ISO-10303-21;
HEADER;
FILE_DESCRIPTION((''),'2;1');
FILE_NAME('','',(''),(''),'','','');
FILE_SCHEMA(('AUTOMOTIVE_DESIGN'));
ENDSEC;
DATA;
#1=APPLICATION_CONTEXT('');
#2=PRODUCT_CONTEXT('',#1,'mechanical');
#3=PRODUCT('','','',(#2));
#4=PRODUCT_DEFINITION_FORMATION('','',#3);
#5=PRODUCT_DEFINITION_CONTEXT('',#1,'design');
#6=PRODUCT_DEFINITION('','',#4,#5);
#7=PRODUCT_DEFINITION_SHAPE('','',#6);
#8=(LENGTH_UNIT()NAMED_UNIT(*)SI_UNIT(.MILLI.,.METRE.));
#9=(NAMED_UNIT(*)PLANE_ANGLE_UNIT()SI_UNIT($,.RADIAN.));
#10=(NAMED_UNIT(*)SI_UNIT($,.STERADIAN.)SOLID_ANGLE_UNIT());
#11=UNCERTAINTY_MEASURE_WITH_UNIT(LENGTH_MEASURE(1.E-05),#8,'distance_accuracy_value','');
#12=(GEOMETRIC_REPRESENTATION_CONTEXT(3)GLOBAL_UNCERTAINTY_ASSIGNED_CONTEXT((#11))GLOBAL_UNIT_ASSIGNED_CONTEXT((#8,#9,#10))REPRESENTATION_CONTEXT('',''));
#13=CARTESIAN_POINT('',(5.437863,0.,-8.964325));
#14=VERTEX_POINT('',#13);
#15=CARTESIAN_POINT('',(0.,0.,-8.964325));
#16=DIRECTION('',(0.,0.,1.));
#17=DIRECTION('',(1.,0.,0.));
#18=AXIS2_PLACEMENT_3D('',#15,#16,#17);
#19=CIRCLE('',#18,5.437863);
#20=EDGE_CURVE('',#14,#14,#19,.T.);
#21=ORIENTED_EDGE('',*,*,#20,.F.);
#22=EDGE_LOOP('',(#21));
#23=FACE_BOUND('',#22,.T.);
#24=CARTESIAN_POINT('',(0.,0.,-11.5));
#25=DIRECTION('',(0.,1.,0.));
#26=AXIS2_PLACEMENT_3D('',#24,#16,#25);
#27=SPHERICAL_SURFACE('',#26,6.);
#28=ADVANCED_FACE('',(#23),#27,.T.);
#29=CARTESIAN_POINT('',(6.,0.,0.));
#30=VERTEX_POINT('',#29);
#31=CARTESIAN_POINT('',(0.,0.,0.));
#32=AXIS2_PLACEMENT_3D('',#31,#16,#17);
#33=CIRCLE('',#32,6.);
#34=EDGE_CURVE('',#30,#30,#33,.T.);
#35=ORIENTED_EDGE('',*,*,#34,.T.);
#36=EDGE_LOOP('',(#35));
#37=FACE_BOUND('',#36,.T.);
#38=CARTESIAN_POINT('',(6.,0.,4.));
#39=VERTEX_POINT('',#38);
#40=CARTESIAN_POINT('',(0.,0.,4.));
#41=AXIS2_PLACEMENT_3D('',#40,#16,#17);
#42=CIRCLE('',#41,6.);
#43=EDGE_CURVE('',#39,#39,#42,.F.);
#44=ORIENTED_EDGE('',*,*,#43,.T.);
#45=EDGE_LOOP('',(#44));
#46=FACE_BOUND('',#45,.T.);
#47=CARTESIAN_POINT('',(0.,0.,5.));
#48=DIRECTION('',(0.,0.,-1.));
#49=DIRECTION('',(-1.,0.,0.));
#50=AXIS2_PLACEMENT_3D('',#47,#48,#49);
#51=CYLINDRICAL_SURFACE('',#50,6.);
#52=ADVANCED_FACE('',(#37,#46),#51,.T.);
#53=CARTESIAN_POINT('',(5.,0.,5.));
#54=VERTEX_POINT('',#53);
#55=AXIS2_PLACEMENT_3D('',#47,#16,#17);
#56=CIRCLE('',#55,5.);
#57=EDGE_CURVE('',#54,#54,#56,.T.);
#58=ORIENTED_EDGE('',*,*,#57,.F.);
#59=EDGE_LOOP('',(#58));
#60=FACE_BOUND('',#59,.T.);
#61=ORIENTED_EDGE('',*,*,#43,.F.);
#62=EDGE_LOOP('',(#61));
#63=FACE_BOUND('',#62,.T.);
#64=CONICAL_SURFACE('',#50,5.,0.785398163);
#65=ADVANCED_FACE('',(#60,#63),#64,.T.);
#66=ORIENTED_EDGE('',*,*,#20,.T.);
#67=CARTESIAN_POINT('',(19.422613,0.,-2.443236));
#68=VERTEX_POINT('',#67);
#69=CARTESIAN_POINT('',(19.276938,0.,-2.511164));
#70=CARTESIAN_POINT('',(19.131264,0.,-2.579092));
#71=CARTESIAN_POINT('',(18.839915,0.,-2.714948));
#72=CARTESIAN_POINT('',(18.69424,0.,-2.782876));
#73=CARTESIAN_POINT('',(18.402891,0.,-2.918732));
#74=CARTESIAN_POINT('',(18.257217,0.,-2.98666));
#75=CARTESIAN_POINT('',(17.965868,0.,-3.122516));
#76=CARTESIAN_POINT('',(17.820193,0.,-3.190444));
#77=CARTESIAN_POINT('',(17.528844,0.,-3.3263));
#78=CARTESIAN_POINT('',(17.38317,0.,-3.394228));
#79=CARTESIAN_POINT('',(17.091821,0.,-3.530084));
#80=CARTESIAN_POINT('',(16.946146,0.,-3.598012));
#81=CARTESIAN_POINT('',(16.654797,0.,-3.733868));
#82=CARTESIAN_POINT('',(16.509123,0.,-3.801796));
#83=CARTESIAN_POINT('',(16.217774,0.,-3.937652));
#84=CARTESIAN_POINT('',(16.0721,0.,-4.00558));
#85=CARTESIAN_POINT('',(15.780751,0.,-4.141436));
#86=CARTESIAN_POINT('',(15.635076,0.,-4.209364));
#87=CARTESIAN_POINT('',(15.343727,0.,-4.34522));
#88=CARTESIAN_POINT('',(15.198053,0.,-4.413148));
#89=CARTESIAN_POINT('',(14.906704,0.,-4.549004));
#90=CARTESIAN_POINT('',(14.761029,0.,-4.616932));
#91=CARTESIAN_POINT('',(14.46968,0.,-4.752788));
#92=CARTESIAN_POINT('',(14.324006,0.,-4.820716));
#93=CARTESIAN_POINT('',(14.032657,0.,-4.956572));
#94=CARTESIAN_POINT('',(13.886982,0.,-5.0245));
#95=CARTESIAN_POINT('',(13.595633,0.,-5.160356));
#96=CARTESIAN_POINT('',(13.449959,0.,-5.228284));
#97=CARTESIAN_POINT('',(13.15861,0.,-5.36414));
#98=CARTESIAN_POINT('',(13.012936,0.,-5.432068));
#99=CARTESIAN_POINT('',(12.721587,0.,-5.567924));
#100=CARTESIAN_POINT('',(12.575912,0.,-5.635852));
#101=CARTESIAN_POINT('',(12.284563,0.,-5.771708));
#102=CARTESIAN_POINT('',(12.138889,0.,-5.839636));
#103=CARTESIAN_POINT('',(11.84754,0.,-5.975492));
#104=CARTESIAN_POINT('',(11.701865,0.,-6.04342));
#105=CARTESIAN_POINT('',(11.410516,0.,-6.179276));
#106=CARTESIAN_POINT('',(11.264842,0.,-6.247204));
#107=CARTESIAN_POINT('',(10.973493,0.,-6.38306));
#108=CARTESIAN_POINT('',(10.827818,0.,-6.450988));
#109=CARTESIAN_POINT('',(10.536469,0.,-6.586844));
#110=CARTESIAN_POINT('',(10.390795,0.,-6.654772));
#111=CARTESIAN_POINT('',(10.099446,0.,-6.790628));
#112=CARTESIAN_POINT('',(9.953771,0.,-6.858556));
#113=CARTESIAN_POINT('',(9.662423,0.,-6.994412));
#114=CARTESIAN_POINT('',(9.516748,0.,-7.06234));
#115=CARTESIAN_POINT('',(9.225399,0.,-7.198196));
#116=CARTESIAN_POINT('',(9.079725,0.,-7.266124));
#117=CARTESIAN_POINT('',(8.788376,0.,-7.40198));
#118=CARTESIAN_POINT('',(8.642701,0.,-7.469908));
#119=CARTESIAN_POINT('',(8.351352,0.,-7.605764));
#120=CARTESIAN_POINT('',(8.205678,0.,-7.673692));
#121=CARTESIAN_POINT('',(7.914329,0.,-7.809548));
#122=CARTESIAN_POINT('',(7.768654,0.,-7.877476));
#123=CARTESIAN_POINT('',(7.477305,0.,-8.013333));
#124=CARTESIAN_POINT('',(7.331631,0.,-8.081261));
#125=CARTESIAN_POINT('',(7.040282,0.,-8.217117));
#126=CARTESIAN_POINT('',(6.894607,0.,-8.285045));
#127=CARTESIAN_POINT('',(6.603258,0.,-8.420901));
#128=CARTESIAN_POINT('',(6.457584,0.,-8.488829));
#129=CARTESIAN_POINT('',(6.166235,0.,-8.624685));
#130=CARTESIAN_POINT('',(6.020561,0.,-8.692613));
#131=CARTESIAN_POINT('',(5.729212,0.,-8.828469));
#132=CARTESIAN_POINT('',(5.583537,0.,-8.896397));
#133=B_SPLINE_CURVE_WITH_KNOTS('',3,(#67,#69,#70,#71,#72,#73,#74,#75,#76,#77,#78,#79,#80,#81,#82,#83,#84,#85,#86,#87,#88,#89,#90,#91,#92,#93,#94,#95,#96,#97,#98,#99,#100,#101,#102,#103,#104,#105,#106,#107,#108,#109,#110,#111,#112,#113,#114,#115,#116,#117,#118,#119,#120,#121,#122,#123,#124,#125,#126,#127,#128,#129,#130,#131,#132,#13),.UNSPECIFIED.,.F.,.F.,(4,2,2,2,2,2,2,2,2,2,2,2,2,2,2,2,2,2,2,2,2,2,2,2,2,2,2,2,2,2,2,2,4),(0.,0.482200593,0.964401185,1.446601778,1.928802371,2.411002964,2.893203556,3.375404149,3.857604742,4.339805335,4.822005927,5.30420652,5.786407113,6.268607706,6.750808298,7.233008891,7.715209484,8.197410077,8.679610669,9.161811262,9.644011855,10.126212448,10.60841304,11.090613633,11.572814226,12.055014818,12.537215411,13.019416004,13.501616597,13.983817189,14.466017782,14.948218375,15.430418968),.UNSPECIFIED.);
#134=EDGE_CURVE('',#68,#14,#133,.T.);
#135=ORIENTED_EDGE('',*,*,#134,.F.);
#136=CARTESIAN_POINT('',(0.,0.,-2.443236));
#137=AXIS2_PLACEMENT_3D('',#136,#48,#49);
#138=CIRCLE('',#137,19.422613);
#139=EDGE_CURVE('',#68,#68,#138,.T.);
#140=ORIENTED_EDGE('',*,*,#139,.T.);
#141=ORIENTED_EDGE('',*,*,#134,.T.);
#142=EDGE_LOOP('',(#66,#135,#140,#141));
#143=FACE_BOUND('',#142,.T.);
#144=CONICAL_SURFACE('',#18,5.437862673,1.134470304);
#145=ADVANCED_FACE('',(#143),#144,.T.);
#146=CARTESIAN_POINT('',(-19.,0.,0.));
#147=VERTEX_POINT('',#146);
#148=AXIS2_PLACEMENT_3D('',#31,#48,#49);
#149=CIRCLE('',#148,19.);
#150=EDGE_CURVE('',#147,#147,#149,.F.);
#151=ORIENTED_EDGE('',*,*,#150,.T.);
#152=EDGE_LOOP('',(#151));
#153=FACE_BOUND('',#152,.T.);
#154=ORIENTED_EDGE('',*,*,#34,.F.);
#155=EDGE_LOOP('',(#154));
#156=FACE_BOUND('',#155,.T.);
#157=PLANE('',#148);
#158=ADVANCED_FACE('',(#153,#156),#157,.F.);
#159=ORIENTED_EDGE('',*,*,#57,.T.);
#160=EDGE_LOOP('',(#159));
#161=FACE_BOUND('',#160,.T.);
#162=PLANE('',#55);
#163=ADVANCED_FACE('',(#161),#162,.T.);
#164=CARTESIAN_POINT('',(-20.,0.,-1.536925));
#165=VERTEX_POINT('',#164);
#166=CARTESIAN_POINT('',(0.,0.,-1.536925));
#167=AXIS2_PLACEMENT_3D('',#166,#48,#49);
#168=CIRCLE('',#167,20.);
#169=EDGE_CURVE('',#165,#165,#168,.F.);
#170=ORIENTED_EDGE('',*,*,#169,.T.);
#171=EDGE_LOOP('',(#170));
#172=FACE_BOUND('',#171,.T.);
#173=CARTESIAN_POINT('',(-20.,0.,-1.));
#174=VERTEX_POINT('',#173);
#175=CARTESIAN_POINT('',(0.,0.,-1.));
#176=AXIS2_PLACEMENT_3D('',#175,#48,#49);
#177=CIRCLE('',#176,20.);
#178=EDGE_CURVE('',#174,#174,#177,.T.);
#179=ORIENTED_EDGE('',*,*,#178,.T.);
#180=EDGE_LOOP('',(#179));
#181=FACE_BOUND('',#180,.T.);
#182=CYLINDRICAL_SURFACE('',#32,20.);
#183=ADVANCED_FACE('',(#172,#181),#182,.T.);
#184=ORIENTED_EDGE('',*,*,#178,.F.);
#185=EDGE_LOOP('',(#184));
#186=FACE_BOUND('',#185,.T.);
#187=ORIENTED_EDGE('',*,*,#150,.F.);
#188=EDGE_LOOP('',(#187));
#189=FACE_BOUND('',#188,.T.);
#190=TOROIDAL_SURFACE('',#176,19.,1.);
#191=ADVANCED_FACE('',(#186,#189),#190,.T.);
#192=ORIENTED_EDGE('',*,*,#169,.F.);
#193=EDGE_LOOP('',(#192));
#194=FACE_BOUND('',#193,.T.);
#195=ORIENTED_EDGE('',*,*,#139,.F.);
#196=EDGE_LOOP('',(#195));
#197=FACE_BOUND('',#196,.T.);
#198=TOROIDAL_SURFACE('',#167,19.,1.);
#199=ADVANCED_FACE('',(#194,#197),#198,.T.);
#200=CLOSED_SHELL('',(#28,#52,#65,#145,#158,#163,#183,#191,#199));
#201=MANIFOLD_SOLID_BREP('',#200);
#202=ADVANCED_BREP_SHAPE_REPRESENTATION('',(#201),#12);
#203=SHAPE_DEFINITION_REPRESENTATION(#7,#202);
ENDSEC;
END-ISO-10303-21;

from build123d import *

# Parameters (mm, degrees)
SKETCH_1_R      = 6
EXTRUDE_1_DEPTH = 5
CHAMFER_1_SIZE  = 1
FILLET_1_R      = 1


with BuildPart() as part:
    # 草图1 → 凸台-拉伸1 (new body)
    with BuildSketch(Plane.XY):
        Circle(SKETCH_1_R)
    extrude(amount=EXTRUDE_1_DEPTH)

    # 草图2 → 旋转1 (revolve)
    with BuildSketch(Plane(origin=(0, 0, 0), x_dir=(0, 0, -1), z_dir=(1, 0, 0)), mode=Mode.PRIVATE) as revolve_1_sk:
        with BuildLine():
            Line((0, 0), (0, 20))
            Line((0, 20), (2.174, 20))
            Line((2.174, 20), (8.964324636, 5.437862673))
            ThreePointArc((8.964324636, 5.437862673), (14.723813566, 5.060338535), (17.5, 0))
            Line((17.5, 0), (0, 0))
        make_face()
    revolve(revolve_1_sk.sketch.rotate(Axis((0, 0, 0), (0, 0, -1)), 90), axis=Axis((0, 0, 0), (0, 0, -1)))

    # 倒角1
    chamfer_1_edges = [part.edges().sort_by_distance(p)[0] for p in [
        (-6, 0, 5),
    ]]
    chamfer(chamfer_1_edges, length=CHAMFER_1_SIZE)

    # 圆角1
    fillet_1_edges = [part.edges().sort_by_distance(p)[0] for p in [
        (-20, 0, -2.174),
        (-20, 0, 0),
    ]]
    fillet(fillet_1_edges, radius=FILLET_1_R)


solid = part.part
